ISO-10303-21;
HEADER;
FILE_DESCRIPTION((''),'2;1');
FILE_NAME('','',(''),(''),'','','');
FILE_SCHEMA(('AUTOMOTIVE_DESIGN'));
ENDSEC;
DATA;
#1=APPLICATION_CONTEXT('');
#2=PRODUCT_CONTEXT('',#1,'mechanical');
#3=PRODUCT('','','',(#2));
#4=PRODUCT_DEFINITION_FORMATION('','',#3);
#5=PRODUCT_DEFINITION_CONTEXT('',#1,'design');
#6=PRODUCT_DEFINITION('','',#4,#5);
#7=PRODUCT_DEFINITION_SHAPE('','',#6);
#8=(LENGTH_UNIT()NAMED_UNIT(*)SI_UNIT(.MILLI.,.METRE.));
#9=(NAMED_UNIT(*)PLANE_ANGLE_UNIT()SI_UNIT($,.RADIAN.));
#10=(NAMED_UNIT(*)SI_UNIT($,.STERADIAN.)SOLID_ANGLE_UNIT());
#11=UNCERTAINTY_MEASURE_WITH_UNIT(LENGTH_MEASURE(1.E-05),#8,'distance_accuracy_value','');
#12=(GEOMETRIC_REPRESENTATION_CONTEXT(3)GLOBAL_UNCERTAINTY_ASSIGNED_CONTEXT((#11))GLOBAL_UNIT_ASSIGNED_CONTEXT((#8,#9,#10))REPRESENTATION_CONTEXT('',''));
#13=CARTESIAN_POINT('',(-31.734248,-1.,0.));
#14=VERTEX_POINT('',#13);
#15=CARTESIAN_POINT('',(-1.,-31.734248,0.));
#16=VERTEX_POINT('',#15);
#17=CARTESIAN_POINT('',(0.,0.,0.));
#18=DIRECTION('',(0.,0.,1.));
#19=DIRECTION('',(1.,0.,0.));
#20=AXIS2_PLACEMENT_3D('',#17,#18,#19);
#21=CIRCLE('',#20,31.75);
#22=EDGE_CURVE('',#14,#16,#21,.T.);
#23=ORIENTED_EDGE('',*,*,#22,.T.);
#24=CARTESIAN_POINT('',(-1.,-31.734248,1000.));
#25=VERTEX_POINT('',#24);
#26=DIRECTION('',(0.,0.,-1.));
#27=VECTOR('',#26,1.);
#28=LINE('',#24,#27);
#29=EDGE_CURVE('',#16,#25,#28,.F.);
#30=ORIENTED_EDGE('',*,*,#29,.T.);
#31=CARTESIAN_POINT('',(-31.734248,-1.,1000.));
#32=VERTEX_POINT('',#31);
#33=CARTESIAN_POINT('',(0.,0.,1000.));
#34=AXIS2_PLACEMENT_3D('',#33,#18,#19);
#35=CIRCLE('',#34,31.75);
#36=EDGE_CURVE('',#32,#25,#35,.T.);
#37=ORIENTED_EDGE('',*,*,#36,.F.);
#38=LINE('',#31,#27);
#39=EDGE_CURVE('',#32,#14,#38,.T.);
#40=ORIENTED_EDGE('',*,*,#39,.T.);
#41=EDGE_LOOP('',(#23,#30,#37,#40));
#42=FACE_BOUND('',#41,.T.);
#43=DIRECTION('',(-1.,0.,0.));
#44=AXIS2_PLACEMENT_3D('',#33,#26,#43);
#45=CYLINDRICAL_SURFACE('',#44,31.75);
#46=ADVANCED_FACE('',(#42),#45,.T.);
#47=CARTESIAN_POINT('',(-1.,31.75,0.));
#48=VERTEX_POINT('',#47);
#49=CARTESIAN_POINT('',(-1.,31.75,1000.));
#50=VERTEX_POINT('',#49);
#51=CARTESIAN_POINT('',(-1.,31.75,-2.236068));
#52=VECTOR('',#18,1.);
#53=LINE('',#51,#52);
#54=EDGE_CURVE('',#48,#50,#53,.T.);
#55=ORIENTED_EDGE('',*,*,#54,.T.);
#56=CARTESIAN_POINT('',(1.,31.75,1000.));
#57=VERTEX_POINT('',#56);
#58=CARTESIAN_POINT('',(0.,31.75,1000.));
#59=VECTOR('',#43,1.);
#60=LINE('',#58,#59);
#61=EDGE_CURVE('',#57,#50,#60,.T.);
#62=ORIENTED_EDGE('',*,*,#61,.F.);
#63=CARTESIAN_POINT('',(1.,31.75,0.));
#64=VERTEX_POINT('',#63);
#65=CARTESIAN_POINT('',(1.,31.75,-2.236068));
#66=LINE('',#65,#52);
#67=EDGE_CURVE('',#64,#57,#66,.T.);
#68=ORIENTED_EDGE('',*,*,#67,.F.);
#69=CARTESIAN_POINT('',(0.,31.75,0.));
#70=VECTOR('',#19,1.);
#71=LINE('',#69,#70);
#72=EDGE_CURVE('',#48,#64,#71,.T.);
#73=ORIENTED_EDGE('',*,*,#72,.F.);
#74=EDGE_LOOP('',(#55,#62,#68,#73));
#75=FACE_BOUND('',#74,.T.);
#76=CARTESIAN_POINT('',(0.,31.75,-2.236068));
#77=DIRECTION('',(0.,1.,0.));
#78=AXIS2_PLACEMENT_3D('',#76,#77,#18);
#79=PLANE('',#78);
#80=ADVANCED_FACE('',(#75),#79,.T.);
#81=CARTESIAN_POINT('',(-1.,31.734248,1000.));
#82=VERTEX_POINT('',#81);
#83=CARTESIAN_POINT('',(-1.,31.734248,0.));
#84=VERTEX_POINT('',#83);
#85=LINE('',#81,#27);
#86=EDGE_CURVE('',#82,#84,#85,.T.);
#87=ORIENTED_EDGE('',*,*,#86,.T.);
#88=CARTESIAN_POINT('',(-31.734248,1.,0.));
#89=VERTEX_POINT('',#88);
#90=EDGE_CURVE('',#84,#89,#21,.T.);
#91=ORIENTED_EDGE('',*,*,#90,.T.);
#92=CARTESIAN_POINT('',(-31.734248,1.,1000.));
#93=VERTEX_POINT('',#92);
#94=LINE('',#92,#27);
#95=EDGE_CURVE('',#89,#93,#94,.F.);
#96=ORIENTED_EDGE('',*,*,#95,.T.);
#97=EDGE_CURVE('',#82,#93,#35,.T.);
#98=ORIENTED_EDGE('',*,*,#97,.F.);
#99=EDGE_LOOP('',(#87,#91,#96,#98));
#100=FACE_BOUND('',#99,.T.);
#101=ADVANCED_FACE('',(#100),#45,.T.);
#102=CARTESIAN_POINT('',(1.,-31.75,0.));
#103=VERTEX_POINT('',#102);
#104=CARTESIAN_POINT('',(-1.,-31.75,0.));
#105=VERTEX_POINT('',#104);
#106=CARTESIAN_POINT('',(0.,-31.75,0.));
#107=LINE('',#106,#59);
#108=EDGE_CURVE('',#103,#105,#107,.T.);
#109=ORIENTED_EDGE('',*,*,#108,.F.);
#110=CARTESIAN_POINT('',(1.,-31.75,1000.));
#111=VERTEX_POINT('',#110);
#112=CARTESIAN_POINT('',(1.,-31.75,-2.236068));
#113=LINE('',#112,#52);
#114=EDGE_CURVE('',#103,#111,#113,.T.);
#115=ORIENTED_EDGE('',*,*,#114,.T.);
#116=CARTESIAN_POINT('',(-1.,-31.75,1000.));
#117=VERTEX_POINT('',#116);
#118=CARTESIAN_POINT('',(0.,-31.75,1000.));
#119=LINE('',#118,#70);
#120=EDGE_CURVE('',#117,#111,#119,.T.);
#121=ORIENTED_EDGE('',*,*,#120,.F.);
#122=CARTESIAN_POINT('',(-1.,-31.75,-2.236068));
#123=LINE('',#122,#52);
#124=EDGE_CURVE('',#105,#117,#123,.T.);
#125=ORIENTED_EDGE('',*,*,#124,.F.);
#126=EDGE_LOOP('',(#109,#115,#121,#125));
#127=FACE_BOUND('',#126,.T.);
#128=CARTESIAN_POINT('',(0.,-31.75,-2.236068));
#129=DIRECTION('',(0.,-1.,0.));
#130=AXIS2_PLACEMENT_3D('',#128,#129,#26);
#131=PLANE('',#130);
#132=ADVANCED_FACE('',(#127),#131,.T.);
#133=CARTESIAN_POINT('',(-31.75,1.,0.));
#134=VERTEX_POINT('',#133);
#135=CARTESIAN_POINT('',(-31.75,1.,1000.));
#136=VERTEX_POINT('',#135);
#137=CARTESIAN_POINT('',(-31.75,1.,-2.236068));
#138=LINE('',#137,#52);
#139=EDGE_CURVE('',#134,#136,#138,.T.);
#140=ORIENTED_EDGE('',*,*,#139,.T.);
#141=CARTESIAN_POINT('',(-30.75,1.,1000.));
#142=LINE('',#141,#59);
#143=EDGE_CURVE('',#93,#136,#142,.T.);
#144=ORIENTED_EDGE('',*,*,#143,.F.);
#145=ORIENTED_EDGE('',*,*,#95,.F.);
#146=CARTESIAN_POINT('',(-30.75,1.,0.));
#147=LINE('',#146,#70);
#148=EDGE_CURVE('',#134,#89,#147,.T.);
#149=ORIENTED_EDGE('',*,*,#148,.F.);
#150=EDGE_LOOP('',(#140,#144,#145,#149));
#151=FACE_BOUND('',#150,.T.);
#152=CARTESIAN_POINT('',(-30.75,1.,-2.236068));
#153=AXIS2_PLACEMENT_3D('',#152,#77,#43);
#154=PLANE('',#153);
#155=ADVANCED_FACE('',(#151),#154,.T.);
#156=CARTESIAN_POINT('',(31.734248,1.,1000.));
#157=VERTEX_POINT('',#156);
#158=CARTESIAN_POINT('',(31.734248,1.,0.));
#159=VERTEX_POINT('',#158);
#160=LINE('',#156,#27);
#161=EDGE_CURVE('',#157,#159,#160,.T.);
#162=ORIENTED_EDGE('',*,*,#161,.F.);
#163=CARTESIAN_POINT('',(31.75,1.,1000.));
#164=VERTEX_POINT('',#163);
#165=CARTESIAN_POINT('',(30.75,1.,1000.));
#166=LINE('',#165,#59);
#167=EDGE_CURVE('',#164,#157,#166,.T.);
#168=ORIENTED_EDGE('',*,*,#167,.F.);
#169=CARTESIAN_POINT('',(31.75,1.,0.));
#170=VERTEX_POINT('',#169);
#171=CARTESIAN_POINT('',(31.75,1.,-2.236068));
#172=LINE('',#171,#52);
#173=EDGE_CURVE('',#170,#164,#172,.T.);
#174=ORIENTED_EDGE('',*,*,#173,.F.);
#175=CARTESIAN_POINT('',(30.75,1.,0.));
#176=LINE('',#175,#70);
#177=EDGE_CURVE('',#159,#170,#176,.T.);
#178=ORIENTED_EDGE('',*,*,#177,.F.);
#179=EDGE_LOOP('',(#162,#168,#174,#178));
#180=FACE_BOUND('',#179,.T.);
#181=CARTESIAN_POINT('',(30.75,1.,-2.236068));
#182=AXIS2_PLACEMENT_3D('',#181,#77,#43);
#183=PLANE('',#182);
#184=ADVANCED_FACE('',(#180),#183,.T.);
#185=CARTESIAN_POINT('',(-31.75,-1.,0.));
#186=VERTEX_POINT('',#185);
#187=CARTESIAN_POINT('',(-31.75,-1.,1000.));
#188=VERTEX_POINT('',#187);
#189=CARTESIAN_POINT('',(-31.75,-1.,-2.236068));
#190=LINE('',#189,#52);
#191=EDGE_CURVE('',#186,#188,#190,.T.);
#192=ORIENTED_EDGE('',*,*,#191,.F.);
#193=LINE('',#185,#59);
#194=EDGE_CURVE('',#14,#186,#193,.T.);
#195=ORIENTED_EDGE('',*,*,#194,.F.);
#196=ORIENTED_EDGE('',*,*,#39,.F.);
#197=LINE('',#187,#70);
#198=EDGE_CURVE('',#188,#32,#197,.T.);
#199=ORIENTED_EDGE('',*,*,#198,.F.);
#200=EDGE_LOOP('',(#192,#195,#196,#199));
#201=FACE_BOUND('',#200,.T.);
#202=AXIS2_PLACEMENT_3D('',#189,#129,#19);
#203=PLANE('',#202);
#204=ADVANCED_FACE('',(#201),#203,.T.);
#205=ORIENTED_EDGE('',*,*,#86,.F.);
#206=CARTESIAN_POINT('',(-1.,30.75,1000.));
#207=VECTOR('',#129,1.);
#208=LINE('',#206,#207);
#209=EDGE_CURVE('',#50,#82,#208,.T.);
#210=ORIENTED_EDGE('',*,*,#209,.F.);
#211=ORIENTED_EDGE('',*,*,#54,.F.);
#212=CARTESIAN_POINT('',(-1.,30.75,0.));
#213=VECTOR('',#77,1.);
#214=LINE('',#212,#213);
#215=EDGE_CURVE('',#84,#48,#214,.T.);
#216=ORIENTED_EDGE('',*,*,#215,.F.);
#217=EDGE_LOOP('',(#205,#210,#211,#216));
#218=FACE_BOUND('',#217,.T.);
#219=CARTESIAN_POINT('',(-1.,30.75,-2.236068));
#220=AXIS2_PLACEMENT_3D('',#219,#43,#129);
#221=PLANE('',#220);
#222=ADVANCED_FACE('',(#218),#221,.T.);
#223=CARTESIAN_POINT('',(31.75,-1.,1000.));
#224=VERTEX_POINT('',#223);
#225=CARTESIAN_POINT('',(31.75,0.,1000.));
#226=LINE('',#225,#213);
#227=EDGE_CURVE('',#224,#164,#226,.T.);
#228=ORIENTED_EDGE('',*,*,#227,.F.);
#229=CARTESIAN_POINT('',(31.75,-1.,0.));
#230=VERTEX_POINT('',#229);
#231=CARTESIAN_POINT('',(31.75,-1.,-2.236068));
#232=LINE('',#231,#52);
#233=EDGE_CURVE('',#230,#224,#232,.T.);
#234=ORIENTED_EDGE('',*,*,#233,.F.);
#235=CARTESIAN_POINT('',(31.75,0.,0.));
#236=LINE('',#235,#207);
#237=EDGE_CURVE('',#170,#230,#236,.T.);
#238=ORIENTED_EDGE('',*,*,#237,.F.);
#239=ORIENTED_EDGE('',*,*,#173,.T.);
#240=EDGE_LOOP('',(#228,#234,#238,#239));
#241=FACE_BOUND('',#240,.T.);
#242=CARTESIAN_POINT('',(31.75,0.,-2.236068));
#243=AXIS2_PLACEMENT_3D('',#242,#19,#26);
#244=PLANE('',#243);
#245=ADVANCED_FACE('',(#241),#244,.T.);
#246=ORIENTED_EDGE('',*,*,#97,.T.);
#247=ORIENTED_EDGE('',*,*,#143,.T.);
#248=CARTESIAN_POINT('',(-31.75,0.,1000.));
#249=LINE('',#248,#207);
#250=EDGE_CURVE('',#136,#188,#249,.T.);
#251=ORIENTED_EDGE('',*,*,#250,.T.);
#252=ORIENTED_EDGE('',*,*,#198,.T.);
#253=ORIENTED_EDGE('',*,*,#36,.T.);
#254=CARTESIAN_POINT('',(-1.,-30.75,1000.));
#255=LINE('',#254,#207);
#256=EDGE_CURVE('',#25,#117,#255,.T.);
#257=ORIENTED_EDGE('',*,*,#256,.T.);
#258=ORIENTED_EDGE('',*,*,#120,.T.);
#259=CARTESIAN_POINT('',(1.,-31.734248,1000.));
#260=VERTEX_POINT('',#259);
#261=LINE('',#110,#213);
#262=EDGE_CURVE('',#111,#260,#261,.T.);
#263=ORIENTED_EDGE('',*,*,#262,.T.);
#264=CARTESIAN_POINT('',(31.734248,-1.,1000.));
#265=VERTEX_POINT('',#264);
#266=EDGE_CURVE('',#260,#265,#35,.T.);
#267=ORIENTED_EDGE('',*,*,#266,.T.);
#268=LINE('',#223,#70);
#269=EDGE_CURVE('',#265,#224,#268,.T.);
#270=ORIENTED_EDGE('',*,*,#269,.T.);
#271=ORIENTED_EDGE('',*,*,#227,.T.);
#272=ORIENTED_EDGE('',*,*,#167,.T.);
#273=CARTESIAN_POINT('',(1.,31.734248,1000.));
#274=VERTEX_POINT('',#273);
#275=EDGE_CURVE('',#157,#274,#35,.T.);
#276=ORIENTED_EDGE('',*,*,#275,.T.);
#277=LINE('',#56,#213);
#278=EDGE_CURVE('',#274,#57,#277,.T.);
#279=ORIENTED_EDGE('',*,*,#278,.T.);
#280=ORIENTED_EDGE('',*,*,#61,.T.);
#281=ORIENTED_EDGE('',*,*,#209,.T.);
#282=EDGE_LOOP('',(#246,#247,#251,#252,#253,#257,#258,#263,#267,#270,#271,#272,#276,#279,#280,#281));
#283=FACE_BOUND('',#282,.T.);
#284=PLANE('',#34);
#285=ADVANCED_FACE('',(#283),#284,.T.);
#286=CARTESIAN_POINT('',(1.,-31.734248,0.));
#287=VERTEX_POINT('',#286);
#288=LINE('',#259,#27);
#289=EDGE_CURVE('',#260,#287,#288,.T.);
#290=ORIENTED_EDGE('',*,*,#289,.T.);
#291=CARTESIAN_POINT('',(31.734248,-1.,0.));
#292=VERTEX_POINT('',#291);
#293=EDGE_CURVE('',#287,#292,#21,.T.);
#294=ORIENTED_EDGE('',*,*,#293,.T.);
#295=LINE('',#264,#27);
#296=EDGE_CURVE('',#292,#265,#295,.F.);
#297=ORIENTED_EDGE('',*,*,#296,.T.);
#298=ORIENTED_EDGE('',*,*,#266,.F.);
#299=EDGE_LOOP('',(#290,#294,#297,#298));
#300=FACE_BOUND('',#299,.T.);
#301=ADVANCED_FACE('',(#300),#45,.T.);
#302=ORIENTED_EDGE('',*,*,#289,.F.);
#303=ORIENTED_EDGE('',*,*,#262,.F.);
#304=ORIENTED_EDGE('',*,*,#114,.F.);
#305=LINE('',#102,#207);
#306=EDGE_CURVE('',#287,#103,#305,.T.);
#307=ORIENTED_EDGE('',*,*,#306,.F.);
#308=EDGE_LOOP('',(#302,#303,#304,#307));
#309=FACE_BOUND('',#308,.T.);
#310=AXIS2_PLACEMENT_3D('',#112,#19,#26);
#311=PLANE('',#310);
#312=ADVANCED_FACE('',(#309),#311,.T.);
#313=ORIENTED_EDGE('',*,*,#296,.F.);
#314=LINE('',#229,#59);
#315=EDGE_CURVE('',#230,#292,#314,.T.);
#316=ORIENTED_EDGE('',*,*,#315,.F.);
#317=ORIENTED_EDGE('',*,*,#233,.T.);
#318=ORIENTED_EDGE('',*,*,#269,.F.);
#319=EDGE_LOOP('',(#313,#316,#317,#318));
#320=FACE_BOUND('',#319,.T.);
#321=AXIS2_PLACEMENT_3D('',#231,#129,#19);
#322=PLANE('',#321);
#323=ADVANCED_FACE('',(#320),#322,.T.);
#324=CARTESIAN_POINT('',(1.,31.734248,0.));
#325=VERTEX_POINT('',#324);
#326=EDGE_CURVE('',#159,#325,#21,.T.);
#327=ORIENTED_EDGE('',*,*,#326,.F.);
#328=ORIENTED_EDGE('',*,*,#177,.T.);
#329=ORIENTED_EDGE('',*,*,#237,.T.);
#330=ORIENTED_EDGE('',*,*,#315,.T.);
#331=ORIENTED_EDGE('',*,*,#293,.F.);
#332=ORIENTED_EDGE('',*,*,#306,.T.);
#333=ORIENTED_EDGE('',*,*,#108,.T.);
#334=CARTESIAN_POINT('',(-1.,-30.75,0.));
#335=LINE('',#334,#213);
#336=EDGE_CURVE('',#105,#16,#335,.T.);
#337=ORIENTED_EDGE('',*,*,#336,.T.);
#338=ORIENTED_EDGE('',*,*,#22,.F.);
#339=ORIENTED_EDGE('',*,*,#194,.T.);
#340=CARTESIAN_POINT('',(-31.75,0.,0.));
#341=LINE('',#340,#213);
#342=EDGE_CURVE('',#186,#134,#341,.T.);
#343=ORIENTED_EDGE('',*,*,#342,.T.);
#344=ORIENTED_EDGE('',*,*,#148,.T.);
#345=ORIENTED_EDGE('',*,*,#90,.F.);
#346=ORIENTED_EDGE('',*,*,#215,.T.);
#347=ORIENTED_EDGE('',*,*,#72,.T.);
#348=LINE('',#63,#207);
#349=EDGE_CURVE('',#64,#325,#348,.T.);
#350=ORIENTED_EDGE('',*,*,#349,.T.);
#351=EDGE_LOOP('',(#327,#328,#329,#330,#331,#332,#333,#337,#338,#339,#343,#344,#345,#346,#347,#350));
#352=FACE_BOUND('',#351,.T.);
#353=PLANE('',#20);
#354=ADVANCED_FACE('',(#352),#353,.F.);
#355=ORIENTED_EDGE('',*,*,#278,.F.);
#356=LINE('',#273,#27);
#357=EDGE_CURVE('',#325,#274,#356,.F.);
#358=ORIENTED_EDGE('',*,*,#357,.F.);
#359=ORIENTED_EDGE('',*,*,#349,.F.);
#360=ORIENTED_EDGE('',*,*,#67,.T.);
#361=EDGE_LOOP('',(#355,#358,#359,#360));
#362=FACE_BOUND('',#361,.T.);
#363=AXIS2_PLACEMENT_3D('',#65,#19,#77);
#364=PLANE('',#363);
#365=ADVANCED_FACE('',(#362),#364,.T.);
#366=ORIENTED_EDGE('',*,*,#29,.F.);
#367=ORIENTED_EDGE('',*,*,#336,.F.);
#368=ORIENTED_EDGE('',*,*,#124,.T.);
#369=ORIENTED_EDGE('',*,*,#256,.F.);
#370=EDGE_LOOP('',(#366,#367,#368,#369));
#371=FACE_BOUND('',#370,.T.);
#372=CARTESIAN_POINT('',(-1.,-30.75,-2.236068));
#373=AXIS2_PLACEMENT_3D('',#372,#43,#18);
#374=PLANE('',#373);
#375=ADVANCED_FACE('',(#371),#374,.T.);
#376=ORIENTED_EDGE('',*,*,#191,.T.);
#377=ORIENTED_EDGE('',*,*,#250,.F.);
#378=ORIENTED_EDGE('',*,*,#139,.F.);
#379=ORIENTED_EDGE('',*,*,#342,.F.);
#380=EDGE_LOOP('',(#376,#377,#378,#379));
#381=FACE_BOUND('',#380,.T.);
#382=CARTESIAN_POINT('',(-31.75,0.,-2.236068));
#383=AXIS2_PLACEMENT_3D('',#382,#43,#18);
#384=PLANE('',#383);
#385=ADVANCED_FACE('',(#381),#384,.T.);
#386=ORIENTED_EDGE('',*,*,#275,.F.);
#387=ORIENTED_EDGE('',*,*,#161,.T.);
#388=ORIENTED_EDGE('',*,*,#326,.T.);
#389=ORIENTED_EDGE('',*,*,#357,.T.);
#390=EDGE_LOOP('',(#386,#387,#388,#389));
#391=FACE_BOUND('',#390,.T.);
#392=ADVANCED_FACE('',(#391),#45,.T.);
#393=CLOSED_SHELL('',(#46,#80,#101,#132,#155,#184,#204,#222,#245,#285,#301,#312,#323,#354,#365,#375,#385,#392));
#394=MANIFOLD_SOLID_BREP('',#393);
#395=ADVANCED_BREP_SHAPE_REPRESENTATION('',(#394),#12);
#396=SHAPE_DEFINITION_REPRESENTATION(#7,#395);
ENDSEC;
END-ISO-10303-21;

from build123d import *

# Parameters (mm, degrees)
CROQUIS1_R              = 31.75
SALIENTE_EXTRUIR1_DEPTH = 1000
SALIENTE_EXTRUIR2_DEPTH = 1000


with BuildPart() as part:
    # Croquis1 → Saliente-Extruir1 (new body)
    with BuildSketch(Plane.XY):
        Circle(CROQUIS1_R)
    extrude(amount=SALIENTE_EXTRUIR1_DEPTH)

    # Croquis2 → Saliente-Extruir2 (add)
    with BuildSketch(Plane.XY.offset(1000)):
        Polygon((31.75, 0), (31.75, -1), (30.75, -1), (30.75, 1), (31.75, 1), align=None)
        Polygon((-31.75, 1), (-31.75, 0), (-31.75, -1), (-30.75, -1), (-30.75, 1), align=None)
        Polygon((0, 31.75), (1, 31.75), (1, 30.75), (-1, 30.75), (-1, 31.75), align=None)
        Polygon((-1, -31.75), (0, -31.75), (1, -31.75), (1, -30.75), (-1, -30.75), align=None)
    extrude(amount=-SALIENTE_EXTRUIR2_DEPTH)


solid = part.part
